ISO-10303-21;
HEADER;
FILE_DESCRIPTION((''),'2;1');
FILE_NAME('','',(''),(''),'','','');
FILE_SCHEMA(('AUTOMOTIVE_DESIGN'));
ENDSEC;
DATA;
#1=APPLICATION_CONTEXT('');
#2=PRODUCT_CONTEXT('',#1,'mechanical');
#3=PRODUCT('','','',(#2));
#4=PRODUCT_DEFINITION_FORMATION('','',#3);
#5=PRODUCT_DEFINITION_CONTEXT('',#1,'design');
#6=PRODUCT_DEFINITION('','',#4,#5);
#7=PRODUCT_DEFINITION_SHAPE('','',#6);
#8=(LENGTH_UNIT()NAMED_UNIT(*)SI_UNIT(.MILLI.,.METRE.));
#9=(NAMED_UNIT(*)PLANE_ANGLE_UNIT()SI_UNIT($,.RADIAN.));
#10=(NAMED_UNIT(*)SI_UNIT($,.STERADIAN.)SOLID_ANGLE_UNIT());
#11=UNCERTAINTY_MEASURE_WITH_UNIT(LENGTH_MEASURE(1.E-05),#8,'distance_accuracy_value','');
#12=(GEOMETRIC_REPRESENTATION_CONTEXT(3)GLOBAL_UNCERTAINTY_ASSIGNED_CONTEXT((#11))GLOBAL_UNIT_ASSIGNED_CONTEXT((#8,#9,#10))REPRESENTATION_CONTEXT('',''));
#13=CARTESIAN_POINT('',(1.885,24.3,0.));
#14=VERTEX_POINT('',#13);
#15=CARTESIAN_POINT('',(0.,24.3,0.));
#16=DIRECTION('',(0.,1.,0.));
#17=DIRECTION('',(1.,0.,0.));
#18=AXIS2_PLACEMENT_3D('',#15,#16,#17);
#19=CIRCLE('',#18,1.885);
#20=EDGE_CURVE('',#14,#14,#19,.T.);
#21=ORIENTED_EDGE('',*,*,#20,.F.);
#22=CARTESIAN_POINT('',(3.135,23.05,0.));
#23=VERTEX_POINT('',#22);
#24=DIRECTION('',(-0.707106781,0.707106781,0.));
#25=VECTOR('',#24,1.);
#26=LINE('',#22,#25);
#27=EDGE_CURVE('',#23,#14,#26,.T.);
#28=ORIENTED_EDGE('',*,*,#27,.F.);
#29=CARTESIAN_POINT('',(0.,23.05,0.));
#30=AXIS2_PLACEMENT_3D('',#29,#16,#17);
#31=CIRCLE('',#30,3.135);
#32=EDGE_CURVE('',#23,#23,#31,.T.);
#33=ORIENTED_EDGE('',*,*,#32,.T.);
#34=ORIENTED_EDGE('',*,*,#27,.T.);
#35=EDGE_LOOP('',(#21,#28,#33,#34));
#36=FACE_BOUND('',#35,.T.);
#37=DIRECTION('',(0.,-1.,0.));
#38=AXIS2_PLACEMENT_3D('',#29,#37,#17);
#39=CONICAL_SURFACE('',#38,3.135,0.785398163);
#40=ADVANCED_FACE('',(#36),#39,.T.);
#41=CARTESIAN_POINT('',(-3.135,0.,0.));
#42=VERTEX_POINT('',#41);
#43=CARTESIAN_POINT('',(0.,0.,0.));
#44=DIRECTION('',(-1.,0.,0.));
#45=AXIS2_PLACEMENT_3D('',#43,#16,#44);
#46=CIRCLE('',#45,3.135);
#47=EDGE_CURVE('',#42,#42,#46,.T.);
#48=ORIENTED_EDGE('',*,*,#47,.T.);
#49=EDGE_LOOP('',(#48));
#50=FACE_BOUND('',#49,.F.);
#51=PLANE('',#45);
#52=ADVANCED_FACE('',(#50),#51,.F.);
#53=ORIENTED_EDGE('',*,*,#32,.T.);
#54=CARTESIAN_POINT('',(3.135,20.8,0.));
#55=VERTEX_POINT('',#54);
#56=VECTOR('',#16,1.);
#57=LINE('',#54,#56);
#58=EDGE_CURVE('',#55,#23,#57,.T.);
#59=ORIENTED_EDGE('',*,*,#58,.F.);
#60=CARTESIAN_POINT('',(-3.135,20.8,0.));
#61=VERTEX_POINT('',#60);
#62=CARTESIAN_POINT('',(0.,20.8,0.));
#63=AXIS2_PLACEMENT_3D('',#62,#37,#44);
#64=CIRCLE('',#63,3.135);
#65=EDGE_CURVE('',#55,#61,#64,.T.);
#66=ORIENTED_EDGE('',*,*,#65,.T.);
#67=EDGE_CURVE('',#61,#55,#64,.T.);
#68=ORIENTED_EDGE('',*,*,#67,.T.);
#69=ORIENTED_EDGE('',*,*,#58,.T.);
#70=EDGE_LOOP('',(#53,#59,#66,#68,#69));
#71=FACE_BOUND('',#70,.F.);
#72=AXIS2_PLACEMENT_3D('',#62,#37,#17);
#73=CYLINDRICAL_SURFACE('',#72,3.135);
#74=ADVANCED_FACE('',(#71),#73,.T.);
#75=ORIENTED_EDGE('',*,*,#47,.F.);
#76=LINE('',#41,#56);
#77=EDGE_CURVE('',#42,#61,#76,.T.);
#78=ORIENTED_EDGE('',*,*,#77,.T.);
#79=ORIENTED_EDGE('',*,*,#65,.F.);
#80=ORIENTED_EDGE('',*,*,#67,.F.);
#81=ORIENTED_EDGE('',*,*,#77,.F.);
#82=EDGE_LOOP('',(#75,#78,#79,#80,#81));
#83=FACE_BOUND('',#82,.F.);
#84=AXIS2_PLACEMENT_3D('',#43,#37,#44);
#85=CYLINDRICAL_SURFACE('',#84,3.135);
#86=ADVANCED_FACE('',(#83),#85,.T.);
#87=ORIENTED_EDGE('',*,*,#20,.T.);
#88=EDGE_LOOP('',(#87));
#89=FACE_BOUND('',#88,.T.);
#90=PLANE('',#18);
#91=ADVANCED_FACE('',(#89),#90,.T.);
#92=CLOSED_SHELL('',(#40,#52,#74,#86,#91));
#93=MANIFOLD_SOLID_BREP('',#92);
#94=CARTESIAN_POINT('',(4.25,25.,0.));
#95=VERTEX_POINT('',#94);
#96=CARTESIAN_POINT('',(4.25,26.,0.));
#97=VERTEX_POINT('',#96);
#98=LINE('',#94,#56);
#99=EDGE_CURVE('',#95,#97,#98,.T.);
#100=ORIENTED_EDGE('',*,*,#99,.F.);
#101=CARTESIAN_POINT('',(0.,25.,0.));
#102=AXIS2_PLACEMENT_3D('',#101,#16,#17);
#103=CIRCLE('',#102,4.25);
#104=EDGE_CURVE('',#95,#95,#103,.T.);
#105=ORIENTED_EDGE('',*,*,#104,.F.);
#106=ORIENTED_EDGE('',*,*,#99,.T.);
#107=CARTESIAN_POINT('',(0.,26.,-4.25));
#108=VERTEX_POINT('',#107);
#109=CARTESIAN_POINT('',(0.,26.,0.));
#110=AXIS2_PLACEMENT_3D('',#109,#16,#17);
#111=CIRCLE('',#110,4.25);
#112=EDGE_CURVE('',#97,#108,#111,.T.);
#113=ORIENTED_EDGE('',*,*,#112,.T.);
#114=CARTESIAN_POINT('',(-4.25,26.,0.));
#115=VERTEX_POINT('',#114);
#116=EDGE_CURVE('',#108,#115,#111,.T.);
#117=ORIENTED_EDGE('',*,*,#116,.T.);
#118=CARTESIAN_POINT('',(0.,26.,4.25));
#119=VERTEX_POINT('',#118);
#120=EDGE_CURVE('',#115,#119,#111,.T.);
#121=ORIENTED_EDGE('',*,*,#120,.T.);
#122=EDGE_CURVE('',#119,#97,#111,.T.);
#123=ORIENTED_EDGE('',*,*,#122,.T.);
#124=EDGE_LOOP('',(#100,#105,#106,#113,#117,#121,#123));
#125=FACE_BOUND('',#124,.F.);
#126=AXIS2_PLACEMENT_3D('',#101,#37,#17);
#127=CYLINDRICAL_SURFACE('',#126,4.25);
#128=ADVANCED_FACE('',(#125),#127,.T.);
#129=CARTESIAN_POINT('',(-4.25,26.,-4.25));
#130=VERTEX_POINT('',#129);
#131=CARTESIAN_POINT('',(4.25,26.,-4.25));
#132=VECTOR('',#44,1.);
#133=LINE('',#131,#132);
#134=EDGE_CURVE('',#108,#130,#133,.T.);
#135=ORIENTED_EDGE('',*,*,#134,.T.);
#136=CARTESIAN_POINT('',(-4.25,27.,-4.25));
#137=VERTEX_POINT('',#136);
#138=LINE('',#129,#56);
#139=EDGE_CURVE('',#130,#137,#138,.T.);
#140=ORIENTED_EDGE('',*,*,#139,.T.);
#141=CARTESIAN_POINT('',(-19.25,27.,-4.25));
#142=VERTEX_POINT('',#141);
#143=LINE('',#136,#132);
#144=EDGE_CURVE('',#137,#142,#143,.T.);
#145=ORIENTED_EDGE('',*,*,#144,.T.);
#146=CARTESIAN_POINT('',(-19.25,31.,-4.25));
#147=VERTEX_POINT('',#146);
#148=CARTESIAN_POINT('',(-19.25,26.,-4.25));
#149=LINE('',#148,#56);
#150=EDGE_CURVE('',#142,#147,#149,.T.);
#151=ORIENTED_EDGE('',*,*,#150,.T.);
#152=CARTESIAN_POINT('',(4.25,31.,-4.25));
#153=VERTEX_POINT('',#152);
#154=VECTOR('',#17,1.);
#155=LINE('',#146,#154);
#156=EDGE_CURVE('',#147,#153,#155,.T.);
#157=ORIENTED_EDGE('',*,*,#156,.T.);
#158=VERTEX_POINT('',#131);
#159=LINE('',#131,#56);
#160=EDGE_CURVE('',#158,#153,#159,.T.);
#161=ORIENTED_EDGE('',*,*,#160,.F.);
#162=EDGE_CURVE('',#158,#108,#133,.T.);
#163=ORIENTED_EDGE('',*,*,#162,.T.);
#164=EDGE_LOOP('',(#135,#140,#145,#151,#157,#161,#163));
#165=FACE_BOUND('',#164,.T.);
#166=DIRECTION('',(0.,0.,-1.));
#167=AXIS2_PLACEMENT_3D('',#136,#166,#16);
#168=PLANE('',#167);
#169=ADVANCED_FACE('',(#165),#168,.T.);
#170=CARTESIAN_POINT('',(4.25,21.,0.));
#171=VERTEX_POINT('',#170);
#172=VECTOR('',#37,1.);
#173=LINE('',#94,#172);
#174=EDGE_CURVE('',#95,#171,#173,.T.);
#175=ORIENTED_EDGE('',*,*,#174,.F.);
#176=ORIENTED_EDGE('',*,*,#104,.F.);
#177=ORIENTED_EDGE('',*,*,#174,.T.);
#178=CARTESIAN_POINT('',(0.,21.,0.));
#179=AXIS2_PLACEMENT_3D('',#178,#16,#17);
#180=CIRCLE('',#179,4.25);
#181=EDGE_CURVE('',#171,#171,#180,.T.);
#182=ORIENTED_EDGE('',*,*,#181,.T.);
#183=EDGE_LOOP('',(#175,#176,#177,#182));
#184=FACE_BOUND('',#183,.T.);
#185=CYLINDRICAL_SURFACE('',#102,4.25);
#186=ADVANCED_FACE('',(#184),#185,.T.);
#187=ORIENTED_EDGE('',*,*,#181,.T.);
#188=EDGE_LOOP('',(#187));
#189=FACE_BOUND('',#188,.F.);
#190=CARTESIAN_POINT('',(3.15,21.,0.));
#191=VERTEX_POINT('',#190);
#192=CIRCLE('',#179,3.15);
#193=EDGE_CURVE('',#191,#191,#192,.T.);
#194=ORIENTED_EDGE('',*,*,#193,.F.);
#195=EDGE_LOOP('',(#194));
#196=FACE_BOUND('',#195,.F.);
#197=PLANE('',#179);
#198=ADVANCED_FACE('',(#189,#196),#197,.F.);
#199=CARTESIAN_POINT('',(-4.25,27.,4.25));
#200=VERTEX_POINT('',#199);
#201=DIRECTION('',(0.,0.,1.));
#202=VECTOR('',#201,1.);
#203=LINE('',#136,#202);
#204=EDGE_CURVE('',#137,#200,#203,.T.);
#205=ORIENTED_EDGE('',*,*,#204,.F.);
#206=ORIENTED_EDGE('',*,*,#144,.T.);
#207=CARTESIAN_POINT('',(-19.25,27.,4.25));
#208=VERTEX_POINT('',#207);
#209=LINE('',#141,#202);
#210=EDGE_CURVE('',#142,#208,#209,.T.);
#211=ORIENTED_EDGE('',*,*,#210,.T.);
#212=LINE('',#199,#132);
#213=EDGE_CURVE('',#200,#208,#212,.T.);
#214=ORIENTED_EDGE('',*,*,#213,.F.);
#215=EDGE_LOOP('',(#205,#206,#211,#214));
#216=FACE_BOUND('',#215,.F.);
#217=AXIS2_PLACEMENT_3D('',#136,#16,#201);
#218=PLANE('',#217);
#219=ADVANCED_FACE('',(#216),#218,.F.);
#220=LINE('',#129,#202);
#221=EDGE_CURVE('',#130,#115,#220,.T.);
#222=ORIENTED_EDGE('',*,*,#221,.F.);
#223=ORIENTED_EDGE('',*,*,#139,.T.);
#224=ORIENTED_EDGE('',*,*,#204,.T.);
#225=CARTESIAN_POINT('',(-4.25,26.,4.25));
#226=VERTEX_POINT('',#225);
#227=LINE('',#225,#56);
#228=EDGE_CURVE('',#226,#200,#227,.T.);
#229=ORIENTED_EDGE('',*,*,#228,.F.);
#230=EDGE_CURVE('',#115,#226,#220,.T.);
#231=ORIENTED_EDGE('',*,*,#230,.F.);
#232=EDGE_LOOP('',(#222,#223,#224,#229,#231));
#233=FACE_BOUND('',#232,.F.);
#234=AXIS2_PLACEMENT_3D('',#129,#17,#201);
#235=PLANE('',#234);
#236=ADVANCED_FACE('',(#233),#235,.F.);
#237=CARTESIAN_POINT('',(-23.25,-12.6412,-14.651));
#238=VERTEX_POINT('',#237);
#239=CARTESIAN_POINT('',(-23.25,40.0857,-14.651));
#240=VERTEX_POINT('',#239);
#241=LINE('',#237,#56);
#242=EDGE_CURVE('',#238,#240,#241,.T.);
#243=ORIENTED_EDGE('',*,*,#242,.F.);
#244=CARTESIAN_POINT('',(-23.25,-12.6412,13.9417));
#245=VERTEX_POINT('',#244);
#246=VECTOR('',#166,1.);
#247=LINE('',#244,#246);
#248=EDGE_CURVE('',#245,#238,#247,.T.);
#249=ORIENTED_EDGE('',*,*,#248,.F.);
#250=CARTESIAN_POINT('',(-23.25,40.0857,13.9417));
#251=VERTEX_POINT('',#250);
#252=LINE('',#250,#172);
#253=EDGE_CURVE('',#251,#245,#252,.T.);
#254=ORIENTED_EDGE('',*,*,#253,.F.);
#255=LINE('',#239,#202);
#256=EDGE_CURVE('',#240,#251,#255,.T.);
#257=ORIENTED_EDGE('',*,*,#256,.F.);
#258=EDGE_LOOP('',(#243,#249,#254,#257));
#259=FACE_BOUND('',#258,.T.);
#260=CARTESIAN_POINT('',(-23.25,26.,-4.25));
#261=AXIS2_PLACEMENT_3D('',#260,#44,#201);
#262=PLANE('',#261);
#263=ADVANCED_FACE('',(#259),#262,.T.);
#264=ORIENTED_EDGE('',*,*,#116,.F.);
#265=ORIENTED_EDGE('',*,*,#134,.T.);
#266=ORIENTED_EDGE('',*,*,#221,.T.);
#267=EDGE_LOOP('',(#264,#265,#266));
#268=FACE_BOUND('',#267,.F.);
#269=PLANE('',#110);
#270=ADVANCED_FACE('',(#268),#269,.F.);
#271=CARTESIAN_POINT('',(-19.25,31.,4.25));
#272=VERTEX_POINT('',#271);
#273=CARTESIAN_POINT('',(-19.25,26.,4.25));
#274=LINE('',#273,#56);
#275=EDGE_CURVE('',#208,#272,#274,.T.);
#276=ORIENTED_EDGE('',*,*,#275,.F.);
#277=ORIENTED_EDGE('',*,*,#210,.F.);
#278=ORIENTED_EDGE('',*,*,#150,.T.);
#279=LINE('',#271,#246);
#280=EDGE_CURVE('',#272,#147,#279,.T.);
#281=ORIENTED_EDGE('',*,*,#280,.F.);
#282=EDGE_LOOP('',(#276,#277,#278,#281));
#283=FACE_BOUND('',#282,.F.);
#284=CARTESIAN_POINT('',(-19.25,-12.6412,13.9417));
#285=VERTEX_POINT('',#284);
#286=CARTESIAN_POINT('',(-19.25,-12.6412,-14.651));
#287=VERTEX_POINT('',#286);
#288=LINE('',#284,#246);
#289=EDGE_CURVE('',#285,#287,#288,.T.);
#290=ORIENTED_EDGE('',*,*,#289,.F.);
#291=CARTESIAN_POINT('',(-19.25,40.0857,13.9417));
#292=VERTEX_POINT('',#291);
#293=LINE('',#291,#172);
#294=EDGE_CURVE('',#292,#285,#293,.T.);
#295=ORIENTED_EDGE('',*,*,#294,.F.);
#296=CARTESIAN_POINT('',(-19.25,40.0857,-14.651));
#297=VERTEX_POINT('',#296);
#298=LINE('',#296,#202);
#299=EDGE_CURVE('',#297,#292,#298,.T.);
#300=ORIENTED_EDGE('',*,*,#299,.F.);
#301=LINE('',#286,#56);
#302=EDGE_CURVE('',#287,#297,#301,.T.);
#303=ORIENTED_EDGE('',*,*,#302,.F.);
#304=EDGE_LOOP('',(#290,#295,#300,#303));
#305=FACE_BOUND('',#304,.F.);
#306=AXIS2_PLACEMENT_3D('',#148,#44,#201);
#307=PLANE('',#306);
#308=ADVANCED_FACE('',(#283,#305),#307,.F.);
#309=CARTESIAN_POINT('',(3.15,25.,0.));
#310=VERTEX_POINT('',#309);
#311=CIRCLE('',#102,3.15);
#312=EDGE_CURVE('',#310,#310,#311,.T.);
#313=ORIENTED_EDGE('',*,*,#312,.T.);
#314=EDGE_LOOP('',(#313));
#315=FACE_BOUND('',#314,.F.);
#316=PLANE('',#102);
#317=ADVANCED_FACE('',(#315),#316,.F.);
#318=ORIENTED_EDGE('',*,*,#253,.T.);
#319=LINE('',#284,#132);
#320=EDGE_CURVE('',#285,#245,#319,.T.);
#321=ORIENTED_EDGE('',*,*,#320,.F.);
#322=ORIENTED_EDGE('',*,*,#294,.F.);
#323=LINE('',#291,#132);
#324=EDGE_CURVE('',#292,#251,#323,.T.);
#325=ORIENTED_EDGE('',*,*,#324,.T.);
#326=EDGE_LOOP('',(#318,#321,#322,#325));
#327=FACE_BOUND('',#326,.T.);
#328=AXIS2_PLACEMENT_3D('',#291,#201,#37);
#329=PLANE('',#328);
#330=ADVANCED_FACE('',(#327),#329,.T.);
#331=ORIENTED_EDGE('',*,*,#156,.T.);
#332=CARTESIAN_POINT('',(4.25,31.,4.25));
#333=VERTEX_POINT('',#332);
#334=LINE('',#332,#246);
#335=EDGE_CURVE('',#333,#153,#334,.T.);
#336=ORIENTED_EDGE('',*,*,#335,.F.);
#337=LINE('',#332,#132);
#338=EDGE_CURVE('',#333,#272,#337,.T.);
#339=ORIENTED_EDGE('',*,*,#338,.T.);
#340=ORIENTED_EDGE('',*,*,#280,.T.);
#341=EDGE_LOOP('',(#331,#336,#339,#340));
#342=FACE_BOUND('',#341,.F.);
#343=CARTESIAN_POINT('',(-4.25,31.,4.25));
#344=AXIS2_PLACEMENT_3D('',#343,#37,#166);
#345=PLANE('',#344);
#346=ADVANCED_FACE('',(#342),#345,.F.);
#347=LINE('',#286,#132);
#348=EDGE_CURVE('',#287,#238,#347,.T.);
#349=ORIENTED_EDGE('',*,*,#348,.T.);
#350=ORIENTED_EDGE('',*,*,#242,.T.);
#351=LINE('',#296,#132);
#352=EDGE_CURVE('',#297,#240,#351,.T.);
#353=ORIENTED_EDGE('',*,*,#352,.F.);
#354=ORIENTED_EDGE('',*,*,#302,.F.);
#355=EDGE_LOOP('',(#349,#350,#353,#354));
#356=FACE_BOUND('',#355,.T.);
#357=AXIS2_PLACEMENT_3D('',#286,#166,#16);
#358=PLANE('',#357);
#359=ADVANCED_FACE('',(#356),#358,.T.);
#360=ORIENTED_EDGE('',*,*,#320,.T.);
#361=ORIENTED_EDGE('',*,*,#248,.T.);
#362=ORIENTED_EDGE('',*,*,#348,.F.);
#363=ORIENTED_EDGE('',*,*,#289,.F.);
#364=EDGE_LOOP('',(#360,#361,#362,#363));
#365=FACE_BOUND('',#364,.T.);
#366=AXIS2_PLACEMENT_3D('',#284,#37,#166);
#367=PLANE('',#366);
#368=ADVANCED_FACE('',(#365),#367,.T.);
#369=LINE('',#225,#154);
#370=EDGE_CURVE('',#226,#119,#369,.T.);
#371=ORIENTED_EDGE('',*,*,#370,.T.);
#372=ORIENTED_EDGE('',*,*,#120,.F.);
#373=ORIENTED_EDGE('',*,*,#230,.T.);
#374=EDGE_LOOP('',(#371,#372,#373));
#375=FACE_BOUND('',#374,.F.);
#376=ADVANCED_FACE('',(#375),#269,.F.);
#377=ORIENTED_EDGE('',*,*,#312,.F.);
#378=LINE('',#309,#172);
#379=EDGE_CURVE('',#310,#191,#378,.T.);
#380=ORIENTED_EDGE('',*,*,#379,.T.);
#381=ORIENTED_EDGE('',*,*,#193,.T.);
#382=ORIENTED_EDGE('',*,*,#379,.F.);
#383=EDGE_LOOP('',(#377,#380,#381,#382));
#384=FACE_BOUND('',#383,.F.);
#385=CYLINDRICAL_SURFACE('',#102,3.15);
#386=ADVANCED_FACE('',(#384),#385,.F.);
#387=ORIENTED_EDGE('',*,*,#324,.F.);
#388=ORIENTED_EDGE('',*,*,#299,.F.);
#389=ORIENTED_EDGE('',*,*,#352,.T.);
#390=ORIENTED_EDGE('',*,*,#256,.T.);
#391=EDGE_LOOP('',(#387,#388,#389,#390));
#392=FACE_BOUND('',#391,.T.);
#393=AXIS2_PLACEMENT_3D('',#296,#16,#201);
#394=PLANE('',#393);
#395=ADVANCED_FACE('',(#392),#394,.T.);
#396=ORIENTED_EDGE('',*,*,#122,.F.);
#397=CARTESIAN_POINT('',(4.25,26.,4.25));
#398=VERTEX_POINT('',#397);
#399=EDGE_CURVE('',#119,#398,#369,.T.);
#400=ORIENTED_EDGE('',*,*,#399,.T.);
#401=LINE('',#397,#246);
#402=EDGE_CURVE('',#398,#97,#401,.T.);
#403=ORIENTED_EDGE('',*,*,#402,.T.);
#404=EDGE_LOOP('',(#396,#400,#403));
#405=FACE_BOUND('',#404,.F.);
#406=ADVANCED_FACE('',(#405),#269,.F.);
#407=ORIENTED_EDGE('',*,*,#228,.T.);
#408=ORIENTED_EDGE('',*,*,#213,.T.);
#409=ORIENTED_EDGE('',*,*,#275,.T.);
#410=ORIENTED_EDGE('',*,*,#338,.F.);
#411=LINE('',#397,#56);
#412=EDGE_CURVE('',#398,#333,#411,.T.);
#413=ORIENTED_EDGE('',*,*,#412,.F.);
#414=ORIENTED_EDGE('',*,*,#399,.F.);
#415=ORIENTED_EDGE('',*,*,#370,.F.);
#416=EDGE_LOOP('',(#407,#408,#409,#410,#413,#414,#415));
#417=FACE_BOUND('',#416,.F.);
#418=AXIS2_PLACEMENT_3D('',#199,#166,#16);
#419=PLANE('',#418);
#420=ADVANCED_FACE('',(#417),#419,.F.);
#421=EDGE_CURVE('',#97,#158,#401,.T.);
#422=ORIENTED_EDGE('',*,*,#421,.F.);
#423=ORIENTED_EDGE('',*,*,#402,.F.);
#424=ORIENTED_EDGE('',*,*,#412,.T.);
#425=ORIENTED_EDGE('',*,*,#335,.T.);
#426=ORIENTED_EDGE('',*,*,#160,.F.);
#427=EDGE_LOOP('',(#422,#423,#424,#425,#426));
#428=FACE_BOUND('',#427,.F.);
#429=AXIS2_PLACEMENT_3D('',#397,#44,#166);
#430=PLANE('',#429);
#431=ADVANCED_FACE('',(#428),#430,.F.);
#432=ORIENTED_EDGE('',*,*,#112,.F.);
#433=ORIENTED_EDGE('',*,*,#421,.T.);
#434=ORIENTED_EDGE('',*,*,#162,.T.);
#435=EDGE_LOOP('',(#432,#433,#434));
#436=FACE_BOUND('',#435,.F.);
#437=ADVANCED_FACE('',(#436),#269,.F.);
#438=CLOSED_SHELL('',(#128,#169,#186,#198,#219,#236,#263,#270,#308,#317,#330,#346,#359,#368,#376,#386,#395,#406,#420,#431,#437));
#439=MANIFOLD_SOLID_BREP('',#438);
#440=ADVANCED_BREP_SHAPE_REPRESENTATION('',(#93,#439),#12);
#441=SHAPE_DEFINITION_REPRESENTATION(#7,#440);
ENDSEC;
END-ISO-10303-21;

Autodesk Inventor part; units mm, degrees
ref_plane "YZ Plane" through (0, 0, 0) normal (1, 0, 0) x (0, 1, 0)
ref_plane "XZ Plane" through (0, 0, 0) normal (0, 1, 0) x (-1, 0, 0)
ref_plane "XY Plane" through (0, 0, 0) normal (0, 0, 1) x (1, 0, 0)
sketch "Sketch1" plane through (0, 0, 0) normal (0, 1, 0) x (-1, 0, 0)
  circle A0 centre (0, 0) radius 3.135
  dimension "d0" = 6.27
extrude "Extrusion1" add sketch "Sketch1" along normal blind 25
sketch "Sketch3" plane through (0, 25, 0) normal (0, 1, 0) x (1, 0, 0)
  circle A0 centre (0, 0) radius 4.25
  dimension "d3" = 8.5
extrude "Extrusion2" add sketch "Sketch3" against normal blind 4
sketch "Sketch4" plane through (0, 25, 0) normal (0, 1, 0) x (1, 0, 0)
  circle A0 centre (0, 0) radius 3.15
  dimension "d6" = 6.3
extrude "Extrusion3" cut sketch "Sketch4" against normal blind 4.2
sketch "Sketch5" plane through (0, 20.8, 0) normal (0, 1, 0) x (1, 0, 0)
  circle A0 centre (0, 0) radius 3.135
  dimension "d9" = 6.27
extrude "Extrusion4" add sketch "Sketch5" along normal blind 3.5
chamfer "Chamfer1" distance 1.25 angle 45 1 edges at (-3.135, 24.3, 0)
sketch "Sketch6" plane through (0, 25, 0) normal (0, 1, 0) x (1, 0, 0)
  circle A0 centre (0, 0) radius 4.25
extrude "Extrusion5" add sketch "Sketch6" along normal blind 1
sketch "Sketch7" plane through (0, 26, 0) normal (0, 1, 0) x (1, 0, 0)
  line L0 (4.25, 4.25) -> (-4.25, 4.25)
  line L1 (-4.25, 4.25) -> (-4.25, -4.25)
  line L2 (-4.25, -4.25) -> (4.25, -4.25)
  line L3 (4.25, -4.25) -> (4.25, 4.25)
  point P0 (0, 0)
extrude "Extrusion6" add sketch "Sketch7" along normal blind 5
sketch "Sketch8" plane through (-4.25, 26, -4.25) normal (-1, 0, 0) x (0, 0, 1)
  line L0 (8.5, 0) -> (8.5, 5) projected
  line L1 (0, 0) -> (0, 5) projected
  line L2 (8.5, 5) -> (0, 5)
  line L3 (0, 5) -> (0, 1)
  line L4 (0, 1) -> (8.5, 1)
  line L5 (8.5, 1) -> (8.5, 5)
  point P0 (4.25, -26)
  point P1 (8.5, 1)
  dimension "d19" = 4
extrude "Extrusion7" add sketch "Sketch8" along normal blind 15
sketch "Sketch9" plane through (-19.25, 26, -4.25) normal (-1, 0, 0) x (0, 0, 1)
  line L0 (-10.401, 14.0857) -> (18.1917, 14.0857)
  line L1 (18.1917, 14.0857) -> (18.1917, -38.6412)
  line L2 (18.1917, -38.6412) -> (-10.401, -38.6412)
  line L3 (-10.401, -38.6412) -> (-10.401, 14.0857)
  point P0 (4.25, -26)
extrude "Extrusion8" add sketch "Sketch9" along normal blind 4
properties part number "servo_sandboxv2"
